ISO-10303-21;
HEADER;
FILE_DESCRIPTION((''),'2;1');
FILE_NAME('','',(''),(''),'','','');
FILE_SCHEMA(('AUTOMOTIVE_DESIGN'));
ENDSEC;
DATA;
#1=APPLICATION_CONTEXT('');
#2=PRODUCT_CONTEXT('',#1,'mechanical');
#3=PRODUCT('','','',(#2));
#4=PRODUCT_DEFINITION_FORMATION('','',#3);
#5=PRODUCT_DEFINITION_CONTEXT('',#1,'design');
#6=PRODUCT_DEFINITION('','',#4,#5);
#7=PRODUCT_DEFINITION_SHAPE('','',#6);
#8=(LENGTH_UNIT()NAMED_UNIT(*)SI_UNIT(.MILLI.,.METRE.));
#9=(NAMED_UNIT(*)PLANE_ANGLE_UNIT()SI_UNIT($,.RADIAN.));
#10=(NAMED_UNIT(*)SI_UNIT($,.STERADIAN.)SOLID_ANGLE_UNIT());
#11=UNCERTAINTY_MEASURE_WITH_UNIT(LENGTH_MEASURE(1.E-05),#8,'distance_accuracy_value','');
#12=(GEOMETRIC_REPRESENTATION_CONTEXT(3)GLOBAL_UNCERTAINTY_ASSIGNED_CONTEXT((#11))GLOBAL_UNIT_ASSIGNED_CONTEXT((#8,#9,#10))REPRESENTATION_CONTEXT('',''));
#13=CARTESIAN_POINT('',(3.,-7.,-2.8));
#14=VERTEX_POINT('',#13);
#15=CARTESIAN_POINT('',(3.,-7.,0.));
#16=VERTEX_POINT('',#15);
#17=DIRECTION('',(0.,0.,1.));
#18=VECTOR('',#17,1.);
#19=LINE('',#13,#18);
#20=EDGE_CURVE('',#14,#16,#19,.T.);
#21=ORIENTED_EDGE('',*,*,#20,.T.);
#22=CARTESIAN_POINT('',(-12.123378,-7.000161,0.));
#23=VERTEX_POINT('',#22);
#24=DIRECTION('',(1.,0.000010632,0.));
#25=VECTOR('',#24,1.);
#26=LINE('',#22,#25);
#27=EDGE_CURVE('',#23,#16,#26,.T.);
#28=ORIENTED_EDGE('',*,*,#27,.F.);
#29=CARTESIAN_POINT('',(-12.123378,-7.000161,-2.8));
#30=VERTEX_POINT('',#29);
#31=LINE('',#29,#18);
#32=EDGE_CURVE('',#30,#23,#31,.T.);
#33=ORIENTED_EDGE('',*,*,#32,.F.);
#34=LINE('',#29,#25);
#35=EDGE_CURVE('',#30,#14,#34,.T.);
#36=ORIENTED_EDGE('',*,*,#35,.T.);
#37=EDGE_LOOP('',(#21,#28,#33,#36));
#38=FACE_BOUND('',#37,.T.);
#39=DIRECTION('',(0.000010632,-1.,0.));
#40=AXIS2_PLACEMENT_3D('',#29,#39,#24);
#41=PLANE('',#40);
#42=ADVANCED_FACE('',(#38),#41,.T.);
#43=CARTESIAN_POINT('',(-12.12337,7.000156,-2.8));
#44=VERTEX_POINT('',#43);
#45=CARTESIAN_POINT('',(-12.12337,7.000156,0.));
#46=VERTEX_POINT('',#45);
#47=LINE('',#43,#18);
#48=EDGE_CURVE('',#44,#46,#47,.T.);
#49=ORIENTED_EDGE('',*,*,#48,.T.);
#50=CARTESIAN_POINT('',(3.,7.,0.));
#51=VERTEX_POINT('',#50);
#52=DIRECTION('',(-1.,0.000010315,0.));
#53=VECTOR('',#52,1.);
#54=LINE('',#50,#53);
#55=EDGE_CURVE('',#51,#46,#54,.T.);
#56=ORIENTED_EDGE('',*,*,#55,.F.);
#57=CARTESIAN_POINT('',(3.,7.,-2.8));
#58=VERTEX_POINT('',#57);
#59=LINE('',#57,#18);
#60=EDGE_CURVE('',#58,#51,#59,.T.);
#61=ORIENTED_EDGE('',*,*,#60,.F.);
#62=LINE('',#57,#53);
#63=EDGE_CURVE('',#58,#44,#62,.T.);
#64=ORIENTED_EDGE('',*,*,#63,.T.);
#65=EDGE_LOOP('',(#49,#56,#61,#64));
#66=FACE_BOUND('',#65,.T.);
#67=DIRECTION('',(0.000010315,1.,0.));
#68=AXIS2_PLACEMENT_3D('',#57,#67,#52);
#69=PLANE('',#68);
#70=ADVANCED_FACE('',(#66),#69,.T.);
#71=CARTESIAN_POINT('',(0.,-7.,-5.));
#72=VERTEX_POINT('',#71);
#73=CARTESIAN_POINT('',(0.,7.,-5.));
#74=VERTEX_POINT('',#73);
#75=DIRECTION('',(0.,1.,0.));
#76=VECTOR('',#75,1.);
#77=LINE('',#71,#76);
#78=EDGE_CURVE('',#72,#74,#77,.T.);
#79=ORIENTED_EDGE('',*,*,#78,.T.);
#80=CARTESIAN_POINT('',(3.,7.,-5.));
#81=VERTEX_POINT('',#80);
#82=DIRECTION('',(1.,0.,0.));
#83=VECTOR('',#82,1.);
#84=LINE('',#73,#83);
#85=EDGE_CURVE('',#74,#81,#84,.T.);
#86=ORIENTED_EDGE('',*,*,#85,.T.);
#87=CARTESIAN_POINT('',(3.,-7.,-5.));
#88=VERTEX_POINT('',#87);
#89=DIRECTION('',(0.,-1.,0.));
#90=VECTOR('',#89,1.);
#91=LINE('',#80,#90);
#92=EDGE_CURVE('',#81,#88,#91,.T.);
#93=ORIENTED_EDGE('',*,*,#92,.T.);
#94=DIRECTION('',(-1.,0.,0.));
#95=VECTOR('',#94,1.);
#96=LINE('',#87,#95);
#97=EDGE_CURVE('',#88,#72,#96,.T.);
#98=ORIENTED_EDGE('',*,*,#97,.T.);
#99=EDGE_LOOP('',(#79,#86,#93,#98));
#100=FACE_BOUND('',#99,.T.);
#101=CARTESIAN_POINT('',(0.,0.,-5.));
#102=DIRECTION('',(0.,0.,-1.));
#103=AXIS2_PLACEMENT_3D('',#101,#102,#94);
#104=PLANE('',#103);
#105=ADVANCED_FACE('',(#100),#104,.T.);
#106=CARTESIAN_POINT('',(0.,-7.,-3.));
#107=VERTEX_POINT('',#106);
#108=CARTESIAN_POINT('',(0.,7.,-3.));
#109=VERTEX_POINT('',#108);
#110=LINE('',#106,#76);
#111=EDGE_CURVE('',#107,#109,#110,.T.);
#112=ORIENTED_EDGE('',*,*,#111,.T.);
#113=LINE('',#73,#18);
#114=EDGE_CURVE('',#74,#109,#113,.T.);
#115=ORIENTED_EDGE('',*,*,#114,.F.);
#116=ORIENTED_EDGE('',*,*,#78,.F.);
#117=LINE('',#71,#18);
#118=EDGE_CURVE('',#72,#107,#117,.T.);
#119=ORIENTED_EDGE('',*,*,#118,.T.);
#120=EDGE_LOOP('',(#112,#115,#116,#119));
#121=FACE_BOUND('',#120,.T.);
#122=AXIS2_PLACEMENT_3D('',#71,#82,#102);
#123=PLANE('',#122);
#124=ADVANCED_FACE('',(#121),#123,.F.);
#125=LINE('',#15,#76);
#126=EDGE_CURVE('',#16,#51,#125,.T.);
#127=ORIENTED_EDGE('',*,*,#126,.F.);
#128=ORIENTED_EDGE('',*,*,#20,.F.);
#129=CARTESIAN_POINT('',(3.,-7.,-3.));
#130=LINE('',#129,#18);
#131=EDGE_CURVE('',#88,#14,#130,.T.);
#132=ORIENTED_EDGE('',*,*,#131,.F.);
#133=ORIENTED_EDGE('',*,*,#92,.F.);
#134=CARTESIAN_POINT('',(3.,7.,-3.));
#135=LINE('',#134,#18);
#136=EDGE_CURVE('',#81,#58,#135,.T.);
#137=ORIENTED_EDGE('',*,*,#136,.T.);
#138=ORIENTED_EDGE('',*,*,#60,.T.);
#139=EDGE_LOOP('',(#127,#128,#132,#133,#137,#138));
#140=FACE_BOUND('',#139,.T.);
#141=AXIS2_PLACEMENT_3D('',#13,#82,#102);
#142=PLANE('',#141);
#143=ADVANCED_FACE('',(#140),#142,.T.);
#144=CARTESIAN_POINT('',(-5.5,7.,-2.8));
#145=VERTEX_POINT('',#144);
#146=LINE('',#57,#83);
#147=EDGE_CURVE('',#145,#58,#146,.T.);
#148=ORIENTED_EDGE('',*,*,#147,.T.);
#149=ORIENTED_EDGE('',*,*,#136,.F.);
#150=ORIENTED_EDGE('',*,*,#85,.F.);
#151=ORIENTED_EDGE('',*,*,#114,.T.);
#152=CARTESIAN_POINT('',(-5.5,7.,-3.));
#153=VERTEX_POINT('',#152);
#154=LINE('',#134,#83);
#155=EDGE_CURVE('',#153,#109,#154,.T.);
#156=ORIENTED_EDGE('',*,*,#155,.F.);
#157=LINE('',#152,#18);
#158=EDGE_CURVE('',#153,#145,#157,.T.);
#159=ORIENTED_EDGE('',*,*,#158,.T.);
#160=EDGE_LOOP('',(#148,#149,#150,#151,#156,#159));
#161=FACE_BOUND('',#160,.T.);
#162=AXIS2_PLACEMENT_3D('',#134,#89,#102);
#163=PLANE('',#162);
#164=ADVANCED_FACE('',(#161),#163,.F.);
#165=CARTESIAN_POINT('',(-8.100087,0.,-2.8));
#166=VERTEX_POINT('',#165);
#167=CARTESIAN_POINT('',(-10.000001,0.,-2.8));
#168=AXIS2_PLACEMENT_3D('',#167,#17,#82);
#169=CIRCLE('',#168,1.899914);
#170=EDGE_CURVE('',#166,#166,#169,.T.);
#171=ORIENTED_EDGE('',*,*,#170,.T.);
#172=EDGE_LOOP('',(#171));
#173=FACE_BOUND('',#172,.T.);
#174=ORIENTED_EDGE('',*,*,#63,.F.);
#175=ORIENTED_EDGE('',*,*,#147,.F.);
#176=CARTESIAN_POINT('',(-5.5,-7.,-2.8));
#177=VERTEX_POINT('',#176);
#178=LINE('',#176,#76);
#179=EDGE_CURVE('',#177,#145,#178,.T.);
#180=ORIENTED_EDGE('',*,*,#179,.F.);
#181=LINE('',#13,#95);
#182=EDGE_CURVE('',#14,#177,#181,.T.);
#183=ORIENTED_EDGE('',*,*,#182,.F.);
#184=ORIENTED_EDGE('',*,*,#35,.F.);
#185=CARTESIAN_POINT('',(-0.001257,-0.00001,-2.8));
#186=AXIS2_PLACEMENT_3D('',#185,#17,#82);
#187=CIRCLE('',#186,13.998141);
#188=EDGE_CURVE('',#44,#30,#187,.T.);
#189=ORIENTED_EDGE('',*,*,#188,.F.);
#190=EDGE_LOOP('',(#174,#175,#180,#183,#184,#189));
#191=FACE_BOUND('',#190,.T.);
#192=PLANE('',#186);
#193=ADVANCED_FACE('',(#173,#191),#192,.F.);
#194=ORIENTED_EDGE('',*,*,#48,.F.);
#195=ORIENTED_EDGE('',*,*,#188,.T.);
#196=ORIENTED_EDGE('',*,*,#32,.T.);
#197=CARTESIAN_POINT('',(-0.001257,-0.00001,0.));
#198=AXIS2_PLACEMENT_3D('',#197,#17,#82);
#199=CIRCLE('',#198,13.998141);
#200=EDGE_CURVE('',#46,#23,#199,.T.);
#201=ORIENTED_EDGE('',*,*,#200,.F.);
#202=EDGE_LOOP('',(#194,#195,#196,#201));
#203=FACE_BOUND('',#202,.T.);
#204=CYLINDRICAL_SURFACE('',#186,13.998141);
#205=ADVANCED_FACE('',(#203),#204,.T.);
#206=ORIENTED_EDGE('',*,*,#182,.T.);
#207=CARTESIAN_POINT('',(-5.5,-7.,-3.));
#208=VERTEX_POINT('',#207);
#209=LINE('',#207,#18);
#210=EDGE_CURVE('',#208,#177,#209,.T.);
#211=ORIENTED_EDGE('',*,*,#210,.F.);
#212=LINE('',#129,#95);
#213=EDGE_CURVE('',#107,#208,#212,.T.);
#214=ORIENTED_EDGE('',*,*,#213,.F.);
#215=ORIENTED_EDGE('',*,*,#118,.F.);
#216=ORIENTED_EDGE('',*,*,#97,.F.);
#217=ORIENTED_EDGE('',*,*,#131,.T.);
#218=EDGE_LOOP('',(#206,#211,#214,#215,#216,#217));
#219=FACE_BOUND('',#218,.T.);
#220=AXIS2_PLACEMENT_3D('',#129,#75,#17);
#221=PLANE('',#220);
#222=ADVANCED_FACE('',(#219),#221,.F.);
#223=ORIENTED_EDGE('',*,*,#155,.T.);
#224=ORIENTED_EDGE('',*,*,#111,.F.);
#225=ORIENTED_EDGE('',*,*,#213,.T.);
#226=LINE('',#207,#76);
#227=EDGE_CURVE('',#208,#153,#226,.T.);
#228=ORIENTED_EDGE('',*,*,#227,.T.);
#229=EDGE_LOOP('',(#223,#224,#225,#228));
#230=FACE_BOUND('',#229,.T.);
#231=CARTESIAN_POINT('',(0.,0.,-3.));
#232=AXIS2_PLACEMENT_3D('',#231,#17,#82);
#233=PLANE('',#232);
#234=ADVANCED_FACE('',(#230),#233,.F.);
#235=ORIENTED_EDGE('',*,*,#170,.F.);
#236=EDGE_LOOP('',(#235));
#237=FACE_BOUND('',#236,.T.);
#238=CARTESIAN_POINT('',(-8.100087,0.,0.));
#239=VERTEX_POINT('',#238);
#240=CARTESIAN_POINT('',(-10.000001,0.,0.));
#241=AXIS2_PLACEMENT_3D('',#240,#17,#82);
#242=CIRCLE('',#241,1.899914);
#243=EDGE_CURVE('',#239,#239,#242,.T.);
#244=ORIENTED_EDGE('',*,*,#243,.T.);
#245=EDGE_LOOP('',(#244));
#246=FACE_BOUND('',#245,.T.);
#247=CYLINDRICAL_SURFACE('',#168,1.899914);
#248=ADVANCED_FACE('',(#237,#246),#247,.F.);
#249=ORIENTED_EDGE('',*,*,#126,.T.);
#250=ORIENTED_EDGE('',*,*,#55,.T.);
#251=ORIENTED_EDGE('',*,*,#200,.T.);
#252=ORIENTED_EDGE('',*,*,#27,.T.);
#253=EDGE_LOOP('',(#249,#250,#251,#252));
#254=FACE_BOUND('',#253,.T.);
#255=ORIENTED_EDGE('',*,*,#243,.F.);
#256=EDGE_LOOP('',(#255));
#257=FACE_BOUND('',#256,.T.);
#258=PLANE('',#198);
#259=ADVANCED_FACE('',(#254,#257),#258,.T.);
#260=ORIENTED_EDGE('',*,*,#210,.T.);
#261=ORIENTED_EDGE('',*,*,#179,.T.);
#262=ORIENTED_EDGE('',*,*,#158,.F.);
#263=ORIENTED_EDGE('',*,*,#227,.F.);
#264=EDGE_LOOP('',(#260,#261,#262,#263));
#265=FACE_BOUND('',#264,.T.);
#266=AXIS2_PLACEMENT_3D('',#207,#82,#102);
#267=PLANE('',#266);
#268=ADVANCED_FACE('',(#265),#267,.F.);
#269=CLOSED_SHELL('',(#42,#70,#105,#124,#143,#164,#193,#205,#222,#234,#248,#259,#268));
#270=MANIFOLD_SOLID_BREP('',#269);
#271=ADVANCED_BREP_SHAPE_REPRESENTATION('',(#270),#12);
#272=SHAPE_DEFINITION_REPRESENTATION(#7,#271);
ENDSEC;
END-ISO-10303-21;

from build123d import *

# Parameters (mm, degrees)
SKETCH2_R           = 1.89991352
BOSS_EXTRUDE1_DEPTH = 2.8
SKETCH3_W           = 8.5
SKETCH3_H           = 14
BOSS_EXTRUDE2_DEPTH = 0.2
SKETCH4_W           = 3
SKETCH4_H           = 14
BOSS_EXTRUDE3_DEPTH = 2


with BuildPart() as part:
    # Sketch2 → Boss-Extrude1 (new body)
    with BuildSketch(Plane.XY):
        with BuildLine():
            Line((3, 7), (-12.123370128, 7.000155991))
            ThreePointArc((-12.123370128, 7.000155991), (-13.999397778, -1.288e-06), (-12.123378453, -7.000160797))
            Line((-12.123378453, -7.000160797), (3, -7))
            Line((3, -7), (3, 7))
        make_face()
        with Locations((-10.000000707, 1.18e-07)):
            Circle(SKETCH2_R, mode=Mode.SUBTRACT)
    extrude(amount=-BOSS_EXTRUDE1_DEPTH)

    # Sketch3 → Boss-Extrude2 (add)
    with BuildSketch(Plane(origin=(0, 0, -2.8), x_dir=(-1, 0, 0), z_dir=(0, 0, -1))):
        with Locations((1.25, 0)):
            Rectangle(SKETCH3_W, SKETCH3_H)
    extrude(amount=BOSS_EXTRUDE2_DEPTH)

    # Sketch4 → Boss-Extrude3 (add)
    with BuildSketch(Plane(origin=(0, 0, -3), x_dir=(-1, 0, 0), z_dir=(0, 0, -1))):
        with Locations((-1.5, 0)):
            Rectangle(SKETCH4_W, SKETCH4_H)
    extrude(amount=BOSS_EXTRUDE3_DEPTH)


solid = part.part
